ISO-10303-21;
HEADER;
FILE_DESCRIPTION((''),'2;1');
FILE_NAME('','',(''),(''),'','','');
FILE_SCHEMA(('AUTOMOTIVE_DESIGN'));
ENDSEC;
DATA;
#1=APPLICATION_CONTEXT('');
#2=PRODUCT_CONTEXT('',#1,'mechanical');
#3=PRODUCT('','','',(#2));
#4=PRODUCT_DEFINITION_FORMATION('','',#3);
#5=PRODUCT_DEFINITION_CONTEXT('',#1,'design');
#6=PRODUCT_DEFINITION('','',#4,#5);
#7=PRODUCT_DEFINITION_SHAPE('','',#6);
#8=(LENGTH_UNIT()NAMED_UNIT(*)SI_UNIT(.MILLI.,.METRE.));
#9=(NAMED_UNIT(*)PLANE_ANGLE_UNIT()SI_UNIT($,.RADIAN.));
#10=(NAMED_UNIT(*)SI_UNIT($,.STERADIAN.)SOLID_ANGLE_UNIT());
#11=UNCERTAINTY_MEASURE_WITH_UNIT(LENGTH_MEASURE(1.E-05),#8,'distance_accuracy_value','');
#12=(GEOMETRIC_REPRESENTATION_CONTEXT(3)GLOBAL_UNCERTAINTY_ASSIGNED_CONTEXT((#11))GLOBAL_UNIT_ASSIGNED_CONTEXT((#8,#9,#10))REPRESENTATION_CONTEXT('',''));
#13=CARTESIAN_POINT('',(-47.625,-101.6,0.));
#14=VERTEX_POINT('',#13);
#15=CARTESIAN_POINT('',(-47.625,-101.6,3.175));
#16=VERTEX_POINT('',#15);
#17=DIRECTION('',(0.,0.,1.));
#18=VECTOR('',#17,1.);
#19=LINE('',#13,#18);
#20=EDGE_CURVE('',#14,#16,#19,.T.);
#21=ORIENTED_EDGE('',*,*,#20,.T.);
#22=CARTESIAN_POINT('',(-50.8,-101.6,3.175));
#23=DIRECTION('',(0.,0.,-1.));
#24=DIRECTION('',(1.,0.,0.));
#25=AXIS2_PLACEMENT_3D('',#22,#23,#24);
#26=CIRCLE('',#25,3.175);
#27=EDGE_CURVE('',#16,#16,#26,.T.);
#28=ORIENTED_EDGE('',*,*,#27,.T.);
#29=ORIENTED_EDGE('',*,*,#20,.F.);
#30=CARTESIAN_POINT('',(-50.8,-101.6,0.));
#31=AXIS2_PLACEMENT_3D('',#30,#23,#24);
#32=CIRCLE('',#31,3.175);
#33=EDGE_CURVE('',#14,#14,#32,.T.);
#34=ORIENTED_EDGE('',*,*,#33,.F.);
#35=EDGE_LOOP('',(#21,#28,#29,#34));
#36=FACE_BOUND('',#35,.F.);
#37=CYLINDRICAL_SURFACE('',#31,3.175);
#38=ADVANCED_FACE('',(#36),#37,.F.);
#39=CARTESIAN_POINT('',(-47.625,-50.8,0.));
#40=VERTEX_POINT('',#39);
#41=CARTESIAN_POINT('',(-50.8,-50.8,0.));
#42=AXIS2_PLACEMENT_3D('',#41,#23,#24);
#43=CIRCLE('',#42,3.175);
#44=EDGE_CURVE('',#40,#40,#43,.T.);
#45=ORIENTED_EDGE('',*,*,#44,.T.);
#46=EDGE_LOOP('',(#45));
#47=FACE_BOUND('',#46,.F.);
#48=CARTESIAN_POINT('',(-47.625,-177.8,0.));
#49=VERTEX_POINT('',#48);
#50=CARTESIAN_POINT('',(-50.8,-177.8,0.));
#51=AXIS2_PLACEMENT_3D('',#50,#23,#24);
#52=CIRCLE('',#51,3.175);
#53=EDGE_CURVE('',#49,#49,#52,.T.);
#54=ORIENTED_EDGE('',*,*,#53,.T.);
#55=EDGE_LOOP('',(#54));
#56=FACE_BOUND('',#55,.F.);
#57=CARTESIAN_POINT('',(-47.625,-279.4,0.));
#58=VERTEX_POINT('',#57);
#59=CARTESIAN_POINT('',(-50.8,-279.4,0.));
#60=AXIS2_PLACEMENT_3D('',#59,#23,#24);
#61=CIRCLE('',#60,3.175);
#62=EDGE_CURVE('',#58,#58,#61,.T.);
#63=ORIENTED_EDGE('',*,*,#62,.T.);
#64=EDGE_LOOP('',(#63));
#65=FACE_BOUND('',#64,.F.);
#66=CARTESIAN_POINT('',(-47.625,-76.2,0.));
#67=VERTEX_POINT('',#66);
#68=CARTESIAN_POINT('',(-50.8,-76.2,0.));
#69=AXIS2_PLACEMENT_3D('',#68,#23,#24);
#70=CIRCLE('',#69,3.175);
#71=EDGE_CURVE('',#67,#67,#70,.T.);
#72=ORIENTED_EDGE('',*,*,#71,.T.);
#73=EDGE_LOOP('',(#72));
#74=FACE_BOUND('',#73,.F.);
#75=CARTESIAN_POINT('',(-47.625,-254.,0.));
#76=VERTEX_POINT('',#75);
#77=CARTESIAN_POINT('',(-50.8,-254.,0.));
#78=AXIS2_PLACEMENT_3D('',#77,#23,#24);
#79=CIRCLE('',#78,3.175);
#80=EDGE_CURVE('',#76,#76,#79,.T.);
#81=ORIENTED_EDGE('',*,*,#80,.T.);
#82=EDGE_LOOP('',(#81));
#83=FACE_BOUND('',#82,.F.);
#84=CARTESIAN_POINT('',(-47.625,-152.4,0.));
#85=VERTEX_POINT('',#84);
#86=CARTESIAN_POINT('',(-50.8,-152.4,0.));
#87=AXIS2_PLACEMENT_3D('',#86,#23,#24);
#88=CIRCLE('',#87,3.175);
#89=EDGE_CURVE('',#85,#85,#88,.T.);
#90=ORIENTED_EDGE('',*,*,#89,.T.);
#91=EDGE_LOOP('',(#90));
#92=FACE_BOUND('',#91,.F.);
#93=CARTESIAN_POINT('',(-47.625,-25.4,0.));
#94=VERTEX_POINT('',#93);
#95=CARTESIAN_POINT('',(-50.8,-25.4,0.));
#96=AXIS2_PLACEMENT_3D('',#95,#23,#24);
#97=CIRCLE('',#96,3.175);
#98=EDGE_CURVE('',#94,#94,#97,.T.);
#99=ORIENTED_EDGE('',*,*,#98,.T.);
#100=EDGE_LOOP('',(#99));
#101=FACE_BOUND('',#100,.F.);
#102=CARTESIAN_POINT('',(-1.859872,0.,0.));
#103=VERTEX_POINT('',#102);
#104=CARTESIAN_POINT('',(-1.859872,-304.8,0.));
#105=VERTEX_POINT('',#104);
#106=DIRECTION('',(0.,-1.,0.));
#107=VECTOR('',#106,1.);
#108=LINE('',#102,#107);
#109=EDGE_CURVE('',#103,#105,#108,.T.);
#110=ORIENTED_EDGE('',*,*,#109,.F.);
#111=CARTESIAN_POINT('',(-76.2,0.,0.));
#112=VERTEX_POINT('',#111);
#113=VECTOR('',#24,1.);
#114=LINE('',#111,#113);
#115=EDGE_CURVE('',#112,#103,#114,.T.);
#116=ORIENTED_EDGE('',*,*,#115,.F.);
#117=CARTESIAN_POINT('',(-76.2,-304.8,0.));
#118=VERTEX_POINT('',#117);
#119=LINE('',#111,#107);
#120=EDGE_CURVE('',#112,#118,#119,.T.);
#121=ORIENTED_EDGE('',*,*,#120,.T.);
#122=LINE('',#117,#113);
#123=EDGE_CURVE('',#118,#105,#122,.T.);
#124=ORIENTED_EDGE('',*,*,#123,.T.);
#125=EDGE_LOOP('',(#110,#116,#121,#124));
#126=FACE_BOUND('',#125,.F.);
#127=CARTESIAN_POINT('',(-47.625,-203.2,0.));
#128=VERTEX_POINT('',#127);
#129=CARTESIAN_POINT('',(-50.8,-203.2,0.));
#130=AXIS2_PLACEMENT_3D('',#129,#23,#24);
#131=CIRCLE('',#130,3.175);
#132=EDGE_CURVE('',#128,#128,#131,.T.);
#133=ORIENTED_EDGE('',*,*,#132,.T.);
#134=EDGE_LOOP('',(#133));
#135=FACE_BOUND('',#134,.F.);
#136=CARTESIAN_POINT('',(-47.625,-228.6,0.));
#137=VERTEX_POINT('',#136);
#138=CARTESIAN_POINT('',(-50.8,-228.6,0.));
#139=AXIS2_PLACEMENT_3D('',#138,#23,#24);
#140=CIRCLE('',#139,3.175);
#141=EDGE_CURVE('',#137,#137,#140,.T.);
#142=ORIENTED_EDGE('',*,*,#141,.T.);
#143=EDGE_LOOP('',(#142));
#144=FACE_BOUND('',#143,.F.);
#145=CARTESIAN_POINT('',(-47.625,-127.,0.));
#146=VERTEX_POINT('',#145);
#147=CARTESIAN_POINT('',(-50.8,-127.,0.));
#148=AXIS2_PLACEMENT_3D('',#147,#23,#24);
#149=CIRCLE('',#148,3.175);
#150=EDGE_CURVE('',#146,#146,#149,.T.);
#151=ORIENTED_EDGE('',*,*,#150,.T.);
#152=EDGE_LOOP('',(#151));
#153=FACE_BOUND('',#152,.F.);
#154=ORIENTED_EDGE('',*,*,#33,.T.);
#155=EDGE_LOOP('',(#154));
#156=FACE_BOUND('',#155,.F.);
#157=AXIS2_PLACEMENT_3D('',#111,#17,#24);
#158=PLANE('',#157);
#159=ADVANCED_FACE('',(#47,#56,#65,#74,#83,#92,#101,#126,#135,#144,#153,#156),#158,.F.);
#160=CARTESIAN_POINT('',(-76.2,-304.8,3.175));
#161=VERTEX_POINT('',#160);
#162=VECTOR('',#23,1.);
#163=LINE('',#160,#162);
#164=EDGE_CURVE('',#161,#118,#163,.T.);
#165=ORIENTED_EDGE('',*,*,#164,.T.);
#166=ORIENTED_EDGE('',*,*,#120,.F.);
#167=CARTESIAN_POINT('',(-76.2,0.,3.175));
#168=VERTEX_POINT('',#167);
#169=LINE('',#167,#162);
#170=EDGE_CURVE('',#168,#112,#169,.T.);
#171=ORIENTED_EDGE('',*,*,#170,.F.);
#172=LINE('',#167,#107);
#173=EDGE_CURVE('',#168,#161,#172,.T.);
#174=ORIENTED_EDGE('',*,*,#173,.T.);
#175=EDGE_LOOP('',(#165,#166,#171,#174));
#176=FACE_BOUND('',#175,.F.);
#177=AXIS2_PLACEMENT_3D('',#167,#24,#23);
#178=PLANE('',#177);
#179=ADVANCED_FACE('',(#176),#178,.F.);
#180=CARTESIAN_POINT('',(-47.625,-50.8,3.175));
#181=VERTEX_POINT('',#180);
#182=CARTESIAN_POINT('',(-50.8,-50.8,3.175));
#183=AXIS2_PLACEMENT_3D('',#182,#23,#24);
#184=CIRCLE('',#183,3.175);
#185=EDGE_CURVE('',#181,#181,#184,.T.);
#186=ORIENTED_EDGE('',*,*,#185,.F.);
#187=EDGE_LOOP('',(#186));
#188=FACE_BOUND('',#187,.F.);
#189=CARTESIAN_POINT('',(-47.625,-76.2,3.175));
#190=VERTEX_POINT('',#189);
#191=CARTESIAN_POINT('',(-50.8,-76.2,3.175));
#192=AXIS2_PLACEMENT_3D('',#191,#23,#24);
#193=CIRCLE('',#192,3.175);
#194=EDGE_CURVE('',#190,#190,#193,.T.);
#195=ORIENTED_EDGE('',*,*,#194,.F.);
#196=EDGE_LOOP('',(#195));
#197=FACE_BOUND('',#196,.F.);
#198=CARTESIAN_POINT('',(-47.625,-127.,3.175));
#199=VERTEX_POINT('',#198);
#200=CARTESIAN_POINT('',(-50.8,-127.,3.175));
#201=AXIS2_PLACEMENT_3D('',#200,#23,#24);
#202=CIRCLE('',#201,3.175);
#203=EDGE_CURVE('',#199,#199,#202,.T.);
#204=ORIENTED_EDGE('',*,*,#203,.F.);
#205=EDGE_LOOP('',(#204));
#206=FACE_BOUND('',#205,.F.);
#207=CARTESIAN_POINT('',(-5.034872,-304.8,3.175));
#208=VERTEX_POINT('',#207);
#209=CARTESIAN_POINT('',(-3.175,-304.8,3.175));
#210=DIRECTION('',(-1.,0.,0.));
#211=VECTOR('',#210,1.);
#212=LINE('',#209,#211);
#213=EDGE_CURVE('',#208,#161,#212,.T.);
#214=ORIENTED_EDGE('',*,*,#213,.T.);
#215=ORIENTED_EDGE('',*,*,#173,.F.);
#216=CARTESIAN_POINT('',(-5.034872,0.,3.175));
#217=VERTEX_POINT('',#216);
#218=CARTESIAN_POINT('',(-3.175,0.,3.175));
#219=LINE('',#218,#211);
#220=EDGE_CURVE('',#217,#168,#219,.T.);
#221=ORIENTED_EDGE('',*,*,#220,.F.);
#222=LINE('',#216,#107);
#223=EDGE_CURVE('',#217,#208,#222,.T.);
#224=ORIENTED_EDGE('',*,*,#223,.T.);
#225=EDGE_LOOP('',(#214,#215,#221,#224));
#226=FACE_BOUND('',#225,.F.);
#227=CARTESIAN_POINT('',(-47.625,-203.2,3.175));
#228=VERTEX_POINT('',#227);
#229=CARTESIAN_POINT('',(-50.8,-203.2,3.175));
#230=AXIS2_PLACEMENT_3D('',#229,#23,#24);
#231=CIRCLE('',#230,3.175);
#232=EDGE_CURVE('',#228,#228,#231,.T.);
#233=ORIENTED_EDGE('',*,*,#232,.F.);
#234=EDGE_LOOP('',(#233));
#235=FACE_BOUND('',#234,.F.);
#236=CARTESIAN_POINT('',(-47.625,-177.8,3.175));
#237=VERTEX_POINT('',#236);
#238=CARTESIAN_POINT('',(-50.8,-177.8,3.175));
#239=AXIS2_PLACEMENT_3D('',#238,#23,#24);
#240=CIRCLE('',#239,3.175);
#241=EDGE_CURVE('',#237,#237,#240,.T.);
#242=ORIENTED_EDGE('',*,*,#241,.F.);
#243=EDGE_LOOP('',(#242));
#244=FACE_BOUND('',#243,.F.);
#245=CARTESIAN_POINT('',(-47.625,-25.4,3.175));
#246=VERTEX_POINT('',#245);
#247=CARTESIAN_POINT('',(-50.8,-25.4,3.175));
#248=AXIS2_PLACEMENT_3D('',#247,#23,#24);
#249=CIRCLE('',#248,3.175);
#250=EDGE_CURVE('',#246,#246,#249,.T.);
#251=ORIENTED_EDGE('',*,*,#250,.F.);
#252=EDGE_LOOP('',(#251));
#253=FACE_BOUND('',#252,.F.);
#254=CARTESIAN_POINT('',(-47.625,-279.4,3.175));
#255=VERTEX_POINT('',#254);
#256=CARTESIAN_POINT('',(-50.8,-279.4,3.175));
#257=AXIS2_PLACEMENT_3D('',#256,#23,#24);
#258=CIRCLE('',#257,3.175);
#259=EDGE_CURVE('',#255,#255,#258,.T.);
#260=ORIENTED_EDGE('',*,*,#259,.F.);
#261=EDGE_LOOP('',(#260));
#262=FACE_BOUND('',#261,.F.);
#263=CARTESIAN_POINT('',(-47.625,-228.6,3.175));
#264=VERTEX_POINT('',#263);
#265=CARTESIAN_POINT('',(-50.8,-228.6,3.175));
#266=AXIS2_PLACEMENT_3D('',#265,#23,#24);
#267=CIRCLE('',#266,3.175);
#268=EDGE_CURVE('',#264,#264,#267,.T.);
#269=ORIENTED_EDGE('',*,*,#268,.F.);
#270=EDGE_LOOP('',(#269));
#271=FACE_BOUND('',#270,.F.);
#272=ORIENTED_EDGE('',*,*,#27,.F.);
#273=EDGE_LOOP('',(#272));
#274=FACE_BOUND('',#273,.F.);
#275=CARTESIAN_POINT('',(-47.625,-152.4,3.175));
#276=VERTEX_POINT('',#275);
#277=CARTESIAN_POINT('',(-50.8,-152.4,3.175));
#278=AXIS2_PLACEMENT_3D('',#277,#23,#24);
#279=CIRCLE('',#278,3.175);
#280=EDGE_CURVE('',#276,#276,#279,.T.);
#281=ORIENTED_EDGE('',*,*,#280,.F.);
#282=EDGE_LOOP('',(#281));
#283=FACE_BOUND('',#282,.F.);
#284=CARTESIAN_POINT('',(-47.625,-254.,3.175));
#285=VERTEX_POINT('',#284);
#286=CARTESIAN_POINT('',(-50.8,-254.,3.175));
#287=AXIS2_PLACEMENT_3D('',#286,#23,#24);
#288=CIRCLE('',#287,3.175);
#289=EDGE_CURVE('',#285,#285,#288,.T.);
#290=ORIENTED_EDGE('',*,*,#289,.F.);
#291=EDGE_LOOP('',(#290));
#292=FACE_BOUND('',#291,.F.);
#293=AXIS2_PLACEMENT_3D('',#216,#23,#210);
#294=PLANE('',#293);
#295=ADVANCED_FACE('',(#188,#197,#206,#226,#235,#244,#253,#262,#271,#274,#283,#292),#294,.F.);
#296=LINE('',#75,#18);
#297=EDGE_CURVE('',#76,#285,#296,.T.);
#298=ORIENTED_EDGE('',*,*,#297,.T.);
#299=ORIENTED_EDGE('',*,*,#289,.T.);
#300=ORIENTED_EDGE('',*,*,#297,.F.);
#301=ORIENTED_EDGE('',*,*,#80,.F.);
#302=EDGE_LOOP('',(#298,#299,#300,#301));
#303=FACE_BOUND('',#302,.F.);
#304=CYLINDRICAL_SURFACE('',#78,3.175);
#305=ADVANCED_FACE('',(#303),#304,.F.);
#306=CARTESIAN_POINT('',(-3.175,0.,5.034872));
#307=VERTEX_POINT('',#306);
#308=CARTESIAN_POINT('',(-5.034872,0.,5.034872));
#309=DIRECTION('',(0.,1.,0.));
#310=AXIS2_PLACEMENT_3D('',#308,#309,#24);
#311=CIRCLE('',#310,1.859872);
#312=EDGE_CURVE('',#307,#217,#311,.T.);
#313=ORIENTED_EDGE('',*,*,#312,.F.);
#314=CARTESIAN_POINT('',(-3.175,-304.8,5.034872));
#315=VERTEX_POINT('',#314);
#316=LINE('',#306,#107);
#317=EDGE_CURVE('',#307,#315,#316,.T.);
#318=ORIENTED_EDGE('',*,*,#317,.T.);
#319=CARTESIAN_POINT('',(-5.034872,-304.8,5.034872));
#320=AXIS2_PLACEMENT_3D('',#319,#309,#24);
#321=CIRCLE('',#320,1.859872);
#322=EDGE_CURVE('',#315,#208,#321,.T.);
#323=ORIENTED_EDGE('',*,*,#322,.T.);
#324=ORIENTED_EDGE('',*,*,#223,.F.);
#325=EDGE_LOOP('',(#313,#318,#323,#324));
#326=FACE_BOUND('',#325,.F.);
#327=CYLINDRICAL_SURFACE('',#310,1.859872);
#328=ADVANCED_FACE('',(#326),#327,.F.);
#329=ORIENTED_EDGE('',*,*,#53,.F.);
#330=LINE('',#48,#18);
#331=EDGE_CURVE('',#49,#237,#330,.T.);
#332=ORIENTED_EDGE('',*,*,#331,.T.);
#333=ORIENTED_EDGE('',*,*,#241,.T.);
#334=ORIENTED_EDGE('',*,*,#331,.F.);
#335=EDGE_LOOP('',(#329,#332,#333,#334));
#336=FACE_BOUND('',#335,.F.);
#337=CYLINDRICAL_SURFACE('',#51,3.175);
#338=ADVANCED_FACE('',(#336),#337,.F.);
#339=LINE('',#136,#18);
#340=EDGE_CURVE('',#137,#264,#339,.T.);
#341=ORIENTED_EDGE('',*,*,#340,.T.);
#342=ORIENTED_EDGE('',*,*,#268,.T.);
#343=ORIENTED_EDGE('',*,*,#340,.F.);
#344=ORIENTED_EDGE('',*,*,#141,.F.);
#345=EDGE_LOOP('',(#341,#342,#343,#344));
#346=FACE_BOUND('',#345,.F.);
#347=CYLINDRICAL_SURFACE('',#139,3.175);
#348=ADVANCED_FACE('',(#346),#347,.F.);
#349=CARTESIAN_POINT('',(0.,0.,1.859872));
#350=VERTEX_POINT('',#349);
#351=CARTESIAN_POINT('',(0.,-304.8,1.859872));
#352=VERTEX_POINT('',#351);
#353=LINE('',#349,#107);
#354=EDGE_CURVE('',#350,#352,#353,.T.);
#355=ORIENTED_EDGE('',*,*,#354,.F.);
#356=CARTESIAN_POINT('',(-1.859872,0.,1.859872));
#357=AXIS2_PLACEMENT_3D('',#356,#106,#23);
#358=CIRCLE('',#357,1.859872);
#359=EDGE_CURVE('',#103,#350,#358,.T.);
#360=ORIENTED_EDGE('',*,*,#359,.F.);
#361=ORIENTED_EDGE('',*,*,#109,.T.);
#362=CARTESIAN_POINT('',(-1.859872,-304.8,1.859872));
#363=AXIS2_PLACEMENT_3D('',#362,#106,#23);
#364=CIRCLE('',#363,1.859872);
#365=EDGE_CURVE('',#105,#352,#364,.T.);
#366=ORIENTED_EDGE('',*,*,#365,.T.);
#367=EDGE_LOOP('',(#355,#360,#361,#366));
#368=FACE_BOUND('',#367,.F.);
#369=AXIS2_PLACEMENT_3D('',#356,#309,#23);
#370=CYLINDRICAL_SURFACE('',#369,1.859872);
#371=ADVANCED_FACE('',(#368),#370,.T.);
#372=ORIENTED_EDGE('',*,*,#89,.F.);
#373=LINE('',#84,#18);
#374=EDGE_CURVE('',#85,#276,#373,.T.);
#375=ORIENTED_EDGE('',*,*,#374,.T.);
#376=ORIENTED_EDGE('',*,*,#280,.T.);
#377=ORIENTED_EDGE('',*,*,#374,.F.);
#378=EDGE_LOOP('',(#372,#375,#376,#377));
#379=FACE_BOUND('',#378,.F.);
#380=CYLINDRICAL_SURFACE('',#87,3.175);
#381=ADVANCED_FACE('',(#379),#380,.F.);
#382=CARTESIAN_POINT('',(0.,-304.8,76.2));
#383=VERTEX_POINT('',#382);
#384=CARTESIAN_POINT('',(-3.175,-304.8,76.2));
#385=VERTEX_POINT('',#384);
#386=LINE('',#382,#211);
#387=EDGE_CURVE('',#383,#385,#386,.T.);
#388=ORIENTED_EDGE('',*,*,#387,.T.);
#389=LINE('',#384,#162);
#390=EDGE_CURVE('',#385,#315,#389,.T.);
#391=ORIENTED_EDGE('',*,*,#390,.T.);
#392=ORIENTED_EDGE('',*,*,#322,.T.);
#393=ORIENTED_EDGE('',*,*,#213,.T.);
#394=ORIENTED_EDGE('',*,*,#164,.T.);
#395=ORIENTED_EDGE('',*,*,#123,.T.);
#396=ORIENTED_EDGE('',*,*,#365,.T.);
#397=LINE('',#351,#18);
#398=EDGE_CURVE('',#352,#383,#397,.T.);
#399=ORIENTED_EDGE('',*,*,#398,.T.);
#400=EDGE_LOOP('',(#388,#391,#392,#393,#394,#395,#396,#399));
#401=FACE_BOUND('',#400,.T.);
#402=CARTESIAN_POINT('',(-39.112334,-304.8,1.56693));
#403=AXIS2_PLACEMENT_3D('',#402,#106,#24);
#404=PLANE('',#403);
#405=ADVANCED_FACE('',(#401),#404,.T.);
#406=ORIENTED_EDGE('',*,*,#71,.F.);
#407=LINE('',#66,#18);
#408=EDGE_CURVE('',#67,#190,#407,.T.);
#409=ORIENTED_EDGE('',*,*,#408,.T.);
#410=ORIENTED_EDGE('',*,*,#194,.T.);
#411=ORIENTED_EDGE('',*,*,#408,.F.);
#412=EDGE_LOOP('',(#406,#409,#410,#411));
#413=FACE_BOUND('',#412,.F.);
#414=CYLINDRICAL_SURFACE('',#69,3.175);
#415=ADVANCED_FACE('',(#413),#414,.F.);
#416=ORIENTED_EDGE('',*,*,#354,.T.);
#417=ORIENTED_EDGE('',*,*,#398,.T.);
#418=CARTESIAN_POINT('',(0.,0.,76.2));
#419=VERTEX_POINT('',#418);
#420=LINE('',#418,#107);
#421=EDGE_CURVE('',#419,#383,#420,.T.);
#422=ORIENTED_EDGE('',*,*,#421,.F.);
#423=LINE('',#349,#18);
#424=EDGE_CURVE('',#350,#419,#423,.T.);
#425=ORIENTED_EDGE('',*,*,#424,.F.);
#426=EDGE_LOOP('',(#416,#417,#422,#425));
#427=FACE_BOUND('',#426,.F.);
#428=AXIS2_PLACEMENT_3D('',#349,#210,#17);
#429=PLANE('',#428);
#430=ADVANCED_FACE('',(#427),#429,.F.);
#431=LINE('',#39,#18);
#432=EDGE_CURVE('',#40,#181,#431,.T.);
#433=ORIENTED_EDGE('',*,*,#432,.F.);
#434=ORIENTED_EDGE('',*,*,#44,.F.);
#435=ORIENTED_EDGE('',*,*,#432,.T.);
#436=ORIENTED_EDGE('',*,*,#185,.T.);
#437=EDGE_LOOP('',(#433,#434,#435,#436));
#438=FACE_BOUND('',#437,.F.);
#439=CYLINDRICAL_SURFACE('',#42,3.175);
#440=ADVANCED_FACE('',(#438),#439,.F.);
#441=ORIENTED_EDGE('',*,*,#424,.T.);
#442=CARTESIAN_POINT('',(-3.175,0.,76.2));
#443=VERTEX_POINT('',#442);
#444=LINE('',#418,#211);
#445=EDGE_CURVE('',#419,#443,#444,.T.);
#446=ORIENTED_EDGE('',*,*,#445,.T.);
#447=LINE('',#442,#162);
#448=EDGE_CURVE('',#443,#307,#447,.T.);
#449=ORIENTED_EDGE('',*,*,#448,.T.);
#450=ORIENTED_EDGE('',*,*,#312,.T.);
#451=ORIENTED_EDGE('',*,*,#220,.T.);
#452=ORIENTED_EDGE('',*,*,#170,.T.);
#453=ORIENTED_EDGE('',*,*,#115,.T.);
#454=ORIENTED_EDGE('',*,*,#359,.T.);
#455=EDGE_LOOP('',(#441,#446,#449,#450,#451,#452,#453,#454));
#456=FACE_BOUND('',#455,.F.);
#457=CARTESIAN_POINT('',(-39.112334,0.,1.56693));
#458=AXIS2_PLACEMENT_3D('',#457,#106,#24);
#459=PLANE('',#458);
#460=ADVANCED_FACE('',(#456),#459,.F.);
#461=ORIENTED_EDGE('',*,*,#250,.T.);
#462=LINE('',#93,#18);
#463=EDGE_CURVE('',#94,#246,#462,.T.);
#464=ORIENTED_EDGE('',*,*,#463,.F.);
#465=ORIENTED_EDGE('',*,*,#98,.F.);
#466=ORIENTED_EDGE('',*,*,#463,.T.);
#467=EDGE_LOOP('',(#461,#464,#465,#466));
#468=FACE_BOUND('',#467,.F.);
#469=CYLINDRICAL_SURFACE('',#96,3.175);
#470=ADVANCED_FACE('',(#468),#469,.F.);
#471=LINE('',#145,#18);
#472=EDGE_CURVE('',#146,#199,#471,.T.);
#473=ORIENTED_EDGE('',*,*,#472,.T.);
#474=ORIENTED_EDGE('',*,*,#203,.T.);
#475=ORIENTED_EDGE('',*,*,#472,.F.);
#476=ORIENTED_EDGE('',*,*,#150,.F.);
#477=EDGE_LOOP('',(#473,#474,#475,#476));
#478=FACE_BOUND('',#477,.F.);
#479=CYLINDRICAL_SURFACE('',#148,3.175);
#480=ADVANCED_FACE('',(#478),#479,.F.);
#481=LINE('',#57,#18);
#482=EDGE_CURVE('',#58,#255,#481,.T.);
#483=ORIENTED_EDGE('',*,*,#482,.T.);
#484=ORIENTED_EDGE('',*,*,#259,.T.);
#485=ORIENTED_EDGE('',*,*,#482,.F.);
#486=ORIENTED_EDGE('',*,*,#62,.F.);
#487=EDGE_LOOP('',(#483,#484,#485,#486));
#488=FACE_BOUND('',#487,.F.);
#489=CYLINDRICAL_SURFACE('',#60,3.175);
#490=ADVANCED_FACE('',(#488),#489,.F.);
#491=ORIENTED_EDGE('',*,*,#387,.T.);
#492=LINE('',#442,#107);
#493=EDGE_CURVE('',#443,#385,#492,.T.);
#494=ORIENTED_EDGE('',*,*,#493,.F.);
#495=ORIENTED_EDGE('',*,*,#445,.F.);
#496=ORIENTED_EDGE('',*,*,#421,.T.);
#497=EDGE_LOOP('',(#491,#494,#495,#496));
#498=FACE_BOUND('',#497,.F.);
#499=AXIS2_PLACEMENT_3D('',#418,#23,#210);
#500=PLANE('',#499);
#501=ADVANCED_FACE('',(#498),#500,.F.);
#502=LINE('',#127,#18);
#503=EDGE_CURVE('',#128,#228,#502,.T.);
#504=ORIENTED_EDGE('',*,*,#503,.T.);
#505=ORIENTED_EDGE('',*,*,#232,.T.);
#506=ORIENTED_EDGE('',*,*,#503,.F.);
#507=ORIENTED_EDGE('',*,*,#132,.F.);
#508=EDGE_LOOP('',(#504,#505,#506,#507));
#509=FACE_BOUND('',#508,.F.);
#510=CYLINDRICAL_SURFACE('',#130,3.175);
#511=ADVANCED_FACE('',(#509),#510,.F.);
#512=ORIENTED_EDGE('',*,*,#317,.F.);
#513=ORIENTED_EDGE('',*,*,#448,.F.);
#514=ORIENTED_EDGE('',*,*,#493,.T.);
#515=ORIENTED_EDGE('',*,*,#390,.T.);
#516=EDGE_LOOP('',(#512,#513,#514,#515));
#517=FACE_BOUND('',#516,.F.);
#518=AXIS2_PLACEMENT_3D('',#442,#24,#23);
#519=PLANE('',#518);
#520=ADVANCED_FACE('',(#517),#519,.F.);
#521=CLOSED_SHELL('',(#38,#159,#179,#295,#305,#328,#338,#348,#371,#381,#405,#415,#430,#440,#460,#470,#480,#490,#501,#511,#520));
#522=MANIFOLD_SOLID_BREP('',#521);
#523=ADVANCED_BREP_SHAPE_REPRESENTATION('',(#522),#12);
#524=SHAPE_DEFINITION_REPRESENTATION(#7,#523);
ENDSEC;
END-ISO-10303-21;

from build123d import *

# Parameters (mm, degrees)
F1_DEPTH = 304.8
F3_R     = 3.175
F4_DEPTH = 76.201


with BuildPart() as f1:
    # F0 (on Front) → F1 (new body)
    with BuildSketch(Plane.XZ):
        with BuildLine():
            Line((-76.2, 0), (-1.8598719395, 0))
            ThreePointArc((-1.8598719395, 0), (-3.5781695574, 1.1481297619), (-3.175, 3.175))
            Line((-3.175, 3.175), (-5.0348719936, 3.175))
            Line((-5.0348719936, 3.175), (-76.2, 3.175))
            Line((-76.2, 3.175), (-76.2, 0))
        make_face()
        with BuildLine():
            ThreePointArc((-3.175, 3.175), (-1.1481297619, 3.5781695574), (0, 1.8598719395))
            Line((0, 1.8598719395), (0, 76.2))
            Line((0, 76.2), (-3.175, 76.2))
            Line((-3.175, 76.2), (-3.175, 5.0348719395))
            Line((-3.175, 5.0348719395), (-3.175, 3.175))
        make_face()
        with BuildLine():
            Line((-5.0348719936, 3.175), (-3.175, 3.175))
            Line((-3.175, 3.175), (-3.175, 5.0348719395))
            ThreePointArc((-3.175, 5.0348719395), (-3.7197438981, 3.7197438598), (-5.0348719936, 3.175))
        make_face()
        with BuildLine():
            ThreePointArc((-3.175, 3.175), (-3.5781695574, 1.1481297619), (-1.8598719395, 0))
            ThreePointArc((-1.8598719395, 0), (-0.5447438789, 0.5447438789), (0, 1.8598719395))
            ThreePointArc((0, 1.8598719395), (-1.1481297619, 3.5781695574), (-3.175, 3.175))
        make_face()
    extrude(amount=F1_DEPTH)

    # F3 (on face) → F4 (cut, through all)
    with BuildSketch(Plane(origin=(0, 0, 0), x_dir=(1, 0, 0), z_dir=(0, 0, -1))):
        with Locations((-50.8, 279.4)):
            Circle(F3_R)
        with Locations((-50.8, 254)):
            Circle(F3_R)
        with Locations((-50.8, 228.6)):
            Circle(F3_R)
        with Locations((-50.8, 203.2)):
            Circle(F3_R)
        with Locations((-50.8, 177.8)):
            Circle(F3_R)
        with Locations((-50.8, 152.4)):
            Circle(F3_R)
        with Locations((-50.8, 127)):
            Circle(F3_R)
        with Locations((-50.8, 101.6)):
            Circle(F3_R)
        with Locations((-50.8, 76.2)):
            Circle(F3_R)
        with Locations((-50.8, 50.8)):
            Circle(F3_R)
        with Locations((-50.8, 25.4)):
            Circle(F3_R)
    extrude(amount=-F4_DEPTH, mode=Mode.SUBTRACT)


solid = f1.part
